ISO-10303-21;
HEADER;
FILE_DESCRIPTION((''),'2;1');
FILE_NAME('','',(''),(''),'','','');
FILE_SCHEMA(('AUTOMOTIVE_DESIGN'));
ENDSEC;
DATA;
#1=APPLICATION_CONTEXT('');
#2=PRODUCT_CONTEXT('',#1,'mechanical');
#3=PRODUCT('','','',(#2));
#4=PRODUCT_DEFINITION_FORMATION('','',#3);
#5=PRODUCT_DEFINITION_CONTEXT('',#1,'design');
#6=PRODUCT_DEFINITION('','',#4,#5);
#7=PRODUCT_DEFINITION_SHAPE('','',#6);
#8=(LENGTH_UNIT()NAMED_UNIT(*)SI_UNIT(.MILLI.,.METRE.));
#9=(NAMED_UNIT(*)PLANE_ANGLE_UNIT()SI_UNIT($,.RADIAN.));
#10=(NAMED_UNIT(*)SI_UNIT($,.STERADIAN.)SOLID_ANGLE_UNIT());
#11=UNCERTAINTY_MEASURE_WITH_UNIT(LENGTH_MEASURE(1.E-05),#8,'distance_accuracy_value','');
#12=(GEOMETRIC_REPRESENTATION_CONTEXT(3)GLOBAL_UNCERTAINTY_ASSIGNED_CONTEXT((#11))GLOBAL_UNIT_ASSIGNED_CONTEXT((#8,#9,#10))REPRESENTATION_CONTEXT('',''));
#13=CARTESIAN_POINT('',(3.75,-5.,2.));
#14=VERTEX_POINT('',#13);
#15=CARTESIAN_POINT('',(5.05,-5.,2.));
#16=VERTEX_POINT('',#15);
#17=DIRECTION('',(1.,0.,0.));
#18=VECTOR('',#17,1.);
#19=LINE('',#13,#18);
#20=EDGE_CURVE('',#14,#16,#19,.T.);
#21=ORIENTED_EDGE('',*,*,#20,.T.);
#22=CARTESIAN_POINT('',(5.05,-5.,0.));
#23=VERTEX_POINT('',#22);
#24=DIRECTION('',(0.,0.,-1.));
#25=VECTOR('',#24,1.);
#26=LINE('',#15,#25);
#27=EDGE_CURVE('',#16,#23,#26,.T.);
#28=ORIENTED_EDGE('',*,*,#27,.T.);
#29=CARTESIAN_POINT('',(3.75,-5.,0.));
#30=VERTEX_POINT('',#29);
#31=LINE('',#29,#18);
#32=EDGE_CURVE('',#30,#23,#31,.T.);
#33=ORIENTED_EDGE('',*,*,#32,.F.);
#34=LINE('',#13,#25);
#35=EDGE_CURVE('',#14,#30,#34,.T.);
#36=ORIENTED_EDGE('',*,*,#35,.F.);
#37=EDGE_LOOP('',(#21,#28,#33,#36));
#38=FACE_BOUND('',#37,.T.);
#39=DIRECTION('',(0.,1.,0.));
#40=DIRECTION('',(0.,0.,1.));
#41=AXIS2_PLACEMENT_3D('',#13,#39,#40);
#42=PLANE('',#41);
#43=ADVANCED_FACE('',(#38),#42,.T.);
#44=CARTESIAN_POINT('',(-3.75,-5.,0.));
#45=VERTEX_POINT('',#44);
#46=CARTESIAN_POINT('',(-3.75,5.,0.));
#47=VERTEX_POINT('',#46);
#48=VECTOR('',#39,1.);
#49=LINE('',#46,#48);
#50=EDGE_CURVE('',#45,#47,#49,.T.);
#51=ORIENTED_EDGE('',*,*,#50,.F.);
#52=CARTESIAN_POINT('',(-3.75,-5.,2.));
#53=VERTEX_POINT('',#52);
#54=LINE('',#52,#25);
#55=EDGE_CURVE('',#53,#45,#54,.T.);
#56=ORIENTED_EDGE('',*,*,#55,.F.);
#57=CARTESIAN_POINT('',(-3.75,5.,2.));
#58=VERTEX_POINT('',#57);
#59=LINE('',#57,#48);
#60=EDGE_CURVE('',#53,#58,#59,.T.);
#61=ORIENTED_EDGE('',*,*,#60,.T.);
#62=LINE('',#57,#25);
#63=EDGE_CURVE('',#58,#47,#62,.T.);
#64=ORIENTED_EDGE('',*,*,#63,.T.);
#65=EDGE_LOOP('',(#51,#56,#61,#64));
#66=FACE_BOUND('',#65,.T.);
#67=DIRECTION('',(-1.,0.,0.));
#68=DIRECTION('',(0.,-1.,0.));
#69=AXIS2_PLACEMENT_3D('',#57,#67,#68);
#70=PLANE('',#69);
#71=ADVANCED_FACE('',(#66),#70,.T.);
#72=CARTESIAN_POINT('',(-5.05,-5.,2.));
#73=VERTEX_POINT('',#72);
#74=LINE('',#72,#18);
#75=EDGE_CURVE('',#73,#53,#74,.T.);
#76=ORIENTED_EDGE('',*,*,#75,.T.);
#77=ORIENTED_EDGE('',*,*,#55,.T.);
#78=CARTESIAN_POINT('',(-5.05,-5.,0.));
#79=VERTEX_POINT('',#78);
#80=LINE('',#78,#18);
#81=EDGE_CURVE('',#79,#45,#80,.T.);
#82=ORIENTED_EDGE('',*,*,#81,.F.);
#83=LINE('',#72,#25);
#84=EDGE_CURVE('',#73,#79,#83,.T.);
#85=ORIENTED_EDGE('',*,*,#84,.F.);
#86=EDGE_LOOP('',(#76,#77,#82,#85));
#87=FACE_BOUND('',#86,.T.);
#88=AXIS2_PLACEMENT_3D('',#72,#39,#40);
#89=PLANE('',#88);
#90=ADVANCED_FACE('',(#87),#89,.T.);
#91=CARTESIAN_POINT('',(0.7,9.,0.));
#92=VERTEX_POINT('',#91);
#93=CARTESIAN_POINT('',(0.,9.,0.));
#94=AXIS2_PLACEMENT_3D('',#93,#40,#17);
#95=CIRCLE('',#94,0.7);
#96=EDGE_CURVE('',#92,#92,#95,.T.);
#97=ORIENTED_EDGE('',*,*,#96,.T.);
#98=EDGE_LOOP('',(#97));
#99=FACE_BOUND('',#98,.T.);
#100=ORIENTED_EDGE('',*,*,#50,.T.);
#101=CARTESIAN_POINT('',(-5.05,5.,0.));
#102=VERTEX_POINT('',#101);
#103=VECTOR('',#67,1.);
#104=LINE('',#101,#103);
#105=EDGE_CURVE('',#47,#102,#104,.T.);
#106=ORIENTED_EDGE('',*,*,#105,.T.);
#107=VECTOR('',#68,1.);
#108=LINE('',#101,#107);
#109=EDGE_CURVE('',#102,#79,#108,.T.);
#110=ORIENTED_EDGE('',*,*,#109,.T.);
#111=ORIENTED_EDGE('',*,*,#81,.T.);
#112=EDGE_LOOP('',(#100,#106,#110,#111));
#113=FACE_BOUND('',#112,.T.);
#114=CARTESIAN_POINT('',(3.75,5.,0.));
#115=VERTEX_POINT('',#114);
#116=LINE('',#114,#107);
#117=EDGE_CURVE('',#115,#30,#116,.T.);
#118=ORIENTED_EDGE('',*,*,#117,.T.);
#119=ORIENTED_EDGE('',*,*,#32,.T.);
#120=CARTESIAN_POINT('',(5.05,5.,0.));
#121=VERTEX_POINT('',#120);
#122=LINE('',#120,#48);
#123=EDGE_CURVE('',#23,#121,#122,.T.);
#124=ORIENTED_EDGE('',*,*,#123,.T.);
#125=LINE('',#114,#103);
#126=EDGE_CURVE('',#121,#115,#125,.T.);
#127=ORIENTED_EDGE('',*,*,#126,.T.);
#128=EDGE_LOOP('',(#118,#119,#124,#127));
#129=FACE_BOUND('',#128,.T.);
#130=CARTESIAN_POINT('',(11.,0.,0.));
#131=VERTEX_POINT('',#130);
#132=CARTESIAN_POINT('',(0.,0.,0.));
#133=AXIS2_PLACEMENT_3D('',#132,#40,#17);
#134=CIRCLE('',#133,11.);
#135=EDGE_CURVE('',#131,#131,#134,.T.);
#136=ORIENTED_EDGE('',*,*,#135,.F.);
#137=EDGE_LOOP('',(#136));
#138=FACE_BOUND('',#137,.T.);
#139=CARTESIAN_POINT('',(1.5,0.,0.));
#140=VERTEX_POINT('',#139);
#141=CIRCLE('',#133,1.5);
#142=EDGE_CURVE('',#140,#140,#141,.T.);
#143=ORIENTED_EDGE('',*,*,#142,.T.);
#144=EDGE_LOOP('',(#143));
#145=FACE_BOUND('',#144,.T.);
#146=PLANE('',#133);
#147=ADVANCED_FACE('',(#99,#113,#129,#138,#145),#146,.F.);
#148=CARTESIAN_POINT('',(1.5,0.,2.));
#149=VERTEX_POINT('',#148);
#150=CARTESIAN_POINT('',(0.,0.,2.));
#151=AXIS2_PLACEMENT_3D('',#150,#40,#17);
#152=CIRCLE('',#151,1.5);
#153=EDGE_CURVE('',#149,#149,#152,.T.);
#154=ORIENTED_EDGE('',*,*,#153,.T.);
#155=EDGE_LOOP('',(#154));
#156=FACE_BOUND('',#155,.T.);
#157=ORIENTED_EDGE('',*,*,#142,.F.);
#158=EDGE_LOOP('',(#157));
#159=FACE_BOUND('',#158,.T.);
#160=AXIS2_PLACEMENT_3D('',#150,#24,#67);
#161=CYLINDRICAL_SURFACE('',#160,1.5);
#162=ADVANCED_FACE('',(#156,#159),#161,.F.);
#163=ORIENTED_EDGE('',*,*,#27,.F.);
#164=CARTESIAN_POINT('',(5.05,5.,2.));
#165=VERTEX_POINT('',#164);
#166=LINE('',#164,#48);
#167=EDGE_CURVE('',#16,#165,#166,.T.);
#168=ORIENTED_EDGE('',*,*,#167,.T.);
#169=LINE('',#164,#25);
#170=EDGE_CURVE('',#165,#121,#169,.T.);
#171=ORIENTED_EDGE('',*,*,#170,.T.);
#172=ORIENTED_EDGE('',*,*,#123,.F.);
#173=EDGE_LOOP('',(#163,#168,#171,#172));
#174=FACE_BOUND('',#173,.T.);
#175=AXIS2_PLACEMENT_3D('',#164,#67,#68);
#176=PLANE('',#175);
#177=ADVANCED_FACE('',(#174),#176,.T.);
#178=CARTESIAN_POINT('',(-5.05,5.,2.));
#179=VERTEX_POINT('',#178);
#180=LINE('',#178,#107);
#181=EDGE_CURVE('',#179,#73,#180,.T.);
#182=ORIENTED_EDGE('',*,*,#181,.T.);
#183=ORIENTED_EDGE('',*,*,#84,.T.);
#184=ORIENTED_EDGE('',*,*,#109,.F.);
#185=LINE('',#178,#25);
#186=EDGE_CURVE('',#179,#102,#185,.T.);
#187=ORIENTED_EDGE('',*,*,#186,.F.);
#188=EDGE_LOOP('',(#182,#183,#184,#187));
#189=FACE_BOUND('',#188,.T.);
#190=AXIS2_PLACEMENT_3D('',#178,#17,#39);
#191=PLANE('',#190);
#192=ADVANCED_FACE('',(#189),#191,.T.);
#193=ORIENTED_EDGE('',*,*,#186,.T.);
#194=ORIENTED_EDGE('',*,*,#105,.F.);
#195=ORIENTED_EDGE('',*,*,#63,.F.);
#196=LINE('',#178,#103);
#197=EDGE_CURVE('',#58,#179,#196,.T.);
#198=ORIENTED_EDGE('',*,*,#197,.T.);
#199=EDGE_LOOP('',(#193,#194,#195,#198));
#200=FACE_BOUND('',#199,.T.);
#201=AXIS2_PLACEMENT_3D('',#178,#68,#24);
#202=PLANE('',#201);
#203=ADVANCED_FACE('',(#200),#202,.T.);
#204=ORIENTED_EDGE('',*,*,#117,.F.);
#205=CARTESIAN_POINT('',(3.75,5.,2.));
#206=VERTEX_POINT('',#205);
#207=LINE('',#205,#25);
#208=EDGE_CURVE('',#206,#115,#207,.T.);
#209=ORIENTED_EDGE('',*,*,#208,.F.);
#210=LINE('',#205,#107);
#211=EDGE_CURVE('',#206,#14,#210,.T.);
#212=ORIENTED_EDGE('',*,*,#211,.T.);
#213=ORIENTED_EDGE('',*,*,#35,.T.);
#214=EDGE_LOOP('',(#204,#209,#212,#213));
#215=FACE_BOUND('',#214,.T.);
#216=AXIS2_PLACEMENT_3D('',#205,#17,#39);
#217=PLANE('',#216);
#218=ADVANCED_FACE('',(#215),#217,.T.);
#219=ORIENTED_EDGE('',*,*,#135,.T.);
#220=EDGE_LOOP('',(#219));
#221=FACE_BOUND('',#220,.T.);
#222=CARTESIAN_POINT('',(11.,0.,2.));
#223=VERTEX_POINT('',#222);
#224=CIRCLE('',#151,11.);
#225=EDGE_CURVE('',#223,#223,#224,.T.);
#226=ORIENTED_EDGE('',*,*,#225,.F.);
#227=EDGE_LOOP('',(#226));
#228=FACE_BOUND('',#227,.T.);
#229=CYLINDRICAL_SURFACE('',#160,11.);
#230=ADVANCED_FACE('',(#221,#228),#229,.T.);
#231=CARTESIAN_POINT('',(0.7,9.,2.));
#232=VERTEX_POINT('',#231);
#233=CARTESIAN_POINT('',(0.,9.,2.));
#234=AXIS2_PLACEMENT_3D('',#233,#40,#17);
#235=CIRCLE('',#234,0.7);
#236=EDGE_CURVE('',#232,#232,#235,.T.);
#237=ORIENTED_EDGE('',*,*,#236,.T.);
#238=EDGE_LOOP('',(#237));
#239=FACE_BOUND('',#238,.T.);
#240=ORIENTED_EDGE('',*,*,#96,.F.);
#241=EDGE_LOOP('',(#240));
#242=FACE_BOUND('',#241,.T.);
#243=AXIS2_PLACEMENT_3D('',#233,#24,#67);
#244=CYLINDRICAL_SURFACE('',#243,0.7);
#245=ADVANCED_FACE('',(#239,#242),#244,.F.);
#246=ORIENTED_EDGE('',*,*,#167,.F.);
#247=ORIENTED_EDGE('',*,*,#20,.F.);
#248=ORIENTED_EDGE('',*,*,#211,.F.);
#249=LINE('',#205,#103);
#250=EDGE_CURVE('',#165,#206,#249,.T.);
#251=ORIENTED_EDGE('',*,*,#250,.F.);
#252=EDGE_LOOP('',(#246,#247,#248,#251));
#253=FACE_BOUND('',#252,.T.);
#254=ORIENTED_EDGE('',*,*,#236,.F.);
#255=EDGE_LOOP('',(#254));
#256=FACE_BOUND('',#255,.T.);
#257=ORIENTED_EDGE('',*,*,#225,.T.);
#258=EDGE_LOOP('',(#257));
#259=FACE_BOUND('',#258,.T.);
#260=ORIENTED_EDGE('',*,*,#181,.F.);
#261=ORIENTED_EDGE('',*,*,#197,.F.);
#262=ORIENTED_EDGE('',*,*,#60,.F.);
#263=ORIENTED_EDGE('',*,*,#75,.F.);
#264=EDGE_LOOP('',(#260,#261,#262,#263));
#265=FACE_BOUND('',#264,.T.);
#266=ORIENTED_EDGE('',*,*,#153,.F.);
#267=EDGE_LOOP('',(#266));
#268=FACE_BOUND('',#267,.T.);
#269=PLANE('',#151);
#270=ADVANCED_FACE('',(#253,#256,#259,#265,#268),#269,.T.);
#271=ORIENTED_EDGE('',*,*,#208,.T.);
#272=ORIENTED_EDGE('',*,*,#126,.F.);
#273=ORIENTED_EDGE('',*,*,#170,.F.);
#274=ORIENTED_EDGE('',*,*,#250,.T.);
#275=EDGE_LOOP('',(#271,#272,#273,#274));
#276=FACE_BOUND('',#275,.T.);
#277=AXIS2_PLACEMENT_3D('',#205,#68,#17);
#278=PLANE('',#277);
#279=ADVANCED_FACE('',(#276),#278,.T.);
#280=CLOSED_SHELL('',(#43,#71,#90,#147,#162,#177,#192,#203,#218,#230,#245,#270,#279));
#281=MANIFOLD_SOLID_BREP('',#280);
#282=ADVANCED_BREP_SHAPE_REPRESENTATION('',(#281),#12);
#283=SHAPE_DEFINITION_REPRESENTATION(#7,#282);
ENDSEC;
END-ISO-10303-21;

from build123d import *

# Parameters (mm, degrees)
SKETCH1_R           = 11
SKETCH1_R_2         = 1.5
SKETCH1_R_3         = 0.7
SKETCH1_W           = 1.3
SKETCH1_H           = 10
BOSS_EXTRUDE1_DEPTH = 2


with BuildPart() as part:
    # Sketch1 → Boss-Extrude1 (new body)
    with BuildSketch(Plane.XY):
        Circle(SKETCH1_R)
        Circle(SKETCH1_R_2, mode=Mode.SUBTRACT)
        with Locations((0, 9)):
            Circle(SKETCH1_R_3, mode=Mode.SUBTRACT)
        with Locations((-4.4, 0)):
            Rectangle(SKETCH1_W, SKETCH1_H, mode=Mode.SUBTRACT)
        with Locations((4.4, 0)):
            Rectangle(SKETCH1_W, SKETCH1_H, mode=Mode.SUBTRACT)
    extrude(amount=BOSS_EXTRUDE1_DEPTH)


solid = part.part
